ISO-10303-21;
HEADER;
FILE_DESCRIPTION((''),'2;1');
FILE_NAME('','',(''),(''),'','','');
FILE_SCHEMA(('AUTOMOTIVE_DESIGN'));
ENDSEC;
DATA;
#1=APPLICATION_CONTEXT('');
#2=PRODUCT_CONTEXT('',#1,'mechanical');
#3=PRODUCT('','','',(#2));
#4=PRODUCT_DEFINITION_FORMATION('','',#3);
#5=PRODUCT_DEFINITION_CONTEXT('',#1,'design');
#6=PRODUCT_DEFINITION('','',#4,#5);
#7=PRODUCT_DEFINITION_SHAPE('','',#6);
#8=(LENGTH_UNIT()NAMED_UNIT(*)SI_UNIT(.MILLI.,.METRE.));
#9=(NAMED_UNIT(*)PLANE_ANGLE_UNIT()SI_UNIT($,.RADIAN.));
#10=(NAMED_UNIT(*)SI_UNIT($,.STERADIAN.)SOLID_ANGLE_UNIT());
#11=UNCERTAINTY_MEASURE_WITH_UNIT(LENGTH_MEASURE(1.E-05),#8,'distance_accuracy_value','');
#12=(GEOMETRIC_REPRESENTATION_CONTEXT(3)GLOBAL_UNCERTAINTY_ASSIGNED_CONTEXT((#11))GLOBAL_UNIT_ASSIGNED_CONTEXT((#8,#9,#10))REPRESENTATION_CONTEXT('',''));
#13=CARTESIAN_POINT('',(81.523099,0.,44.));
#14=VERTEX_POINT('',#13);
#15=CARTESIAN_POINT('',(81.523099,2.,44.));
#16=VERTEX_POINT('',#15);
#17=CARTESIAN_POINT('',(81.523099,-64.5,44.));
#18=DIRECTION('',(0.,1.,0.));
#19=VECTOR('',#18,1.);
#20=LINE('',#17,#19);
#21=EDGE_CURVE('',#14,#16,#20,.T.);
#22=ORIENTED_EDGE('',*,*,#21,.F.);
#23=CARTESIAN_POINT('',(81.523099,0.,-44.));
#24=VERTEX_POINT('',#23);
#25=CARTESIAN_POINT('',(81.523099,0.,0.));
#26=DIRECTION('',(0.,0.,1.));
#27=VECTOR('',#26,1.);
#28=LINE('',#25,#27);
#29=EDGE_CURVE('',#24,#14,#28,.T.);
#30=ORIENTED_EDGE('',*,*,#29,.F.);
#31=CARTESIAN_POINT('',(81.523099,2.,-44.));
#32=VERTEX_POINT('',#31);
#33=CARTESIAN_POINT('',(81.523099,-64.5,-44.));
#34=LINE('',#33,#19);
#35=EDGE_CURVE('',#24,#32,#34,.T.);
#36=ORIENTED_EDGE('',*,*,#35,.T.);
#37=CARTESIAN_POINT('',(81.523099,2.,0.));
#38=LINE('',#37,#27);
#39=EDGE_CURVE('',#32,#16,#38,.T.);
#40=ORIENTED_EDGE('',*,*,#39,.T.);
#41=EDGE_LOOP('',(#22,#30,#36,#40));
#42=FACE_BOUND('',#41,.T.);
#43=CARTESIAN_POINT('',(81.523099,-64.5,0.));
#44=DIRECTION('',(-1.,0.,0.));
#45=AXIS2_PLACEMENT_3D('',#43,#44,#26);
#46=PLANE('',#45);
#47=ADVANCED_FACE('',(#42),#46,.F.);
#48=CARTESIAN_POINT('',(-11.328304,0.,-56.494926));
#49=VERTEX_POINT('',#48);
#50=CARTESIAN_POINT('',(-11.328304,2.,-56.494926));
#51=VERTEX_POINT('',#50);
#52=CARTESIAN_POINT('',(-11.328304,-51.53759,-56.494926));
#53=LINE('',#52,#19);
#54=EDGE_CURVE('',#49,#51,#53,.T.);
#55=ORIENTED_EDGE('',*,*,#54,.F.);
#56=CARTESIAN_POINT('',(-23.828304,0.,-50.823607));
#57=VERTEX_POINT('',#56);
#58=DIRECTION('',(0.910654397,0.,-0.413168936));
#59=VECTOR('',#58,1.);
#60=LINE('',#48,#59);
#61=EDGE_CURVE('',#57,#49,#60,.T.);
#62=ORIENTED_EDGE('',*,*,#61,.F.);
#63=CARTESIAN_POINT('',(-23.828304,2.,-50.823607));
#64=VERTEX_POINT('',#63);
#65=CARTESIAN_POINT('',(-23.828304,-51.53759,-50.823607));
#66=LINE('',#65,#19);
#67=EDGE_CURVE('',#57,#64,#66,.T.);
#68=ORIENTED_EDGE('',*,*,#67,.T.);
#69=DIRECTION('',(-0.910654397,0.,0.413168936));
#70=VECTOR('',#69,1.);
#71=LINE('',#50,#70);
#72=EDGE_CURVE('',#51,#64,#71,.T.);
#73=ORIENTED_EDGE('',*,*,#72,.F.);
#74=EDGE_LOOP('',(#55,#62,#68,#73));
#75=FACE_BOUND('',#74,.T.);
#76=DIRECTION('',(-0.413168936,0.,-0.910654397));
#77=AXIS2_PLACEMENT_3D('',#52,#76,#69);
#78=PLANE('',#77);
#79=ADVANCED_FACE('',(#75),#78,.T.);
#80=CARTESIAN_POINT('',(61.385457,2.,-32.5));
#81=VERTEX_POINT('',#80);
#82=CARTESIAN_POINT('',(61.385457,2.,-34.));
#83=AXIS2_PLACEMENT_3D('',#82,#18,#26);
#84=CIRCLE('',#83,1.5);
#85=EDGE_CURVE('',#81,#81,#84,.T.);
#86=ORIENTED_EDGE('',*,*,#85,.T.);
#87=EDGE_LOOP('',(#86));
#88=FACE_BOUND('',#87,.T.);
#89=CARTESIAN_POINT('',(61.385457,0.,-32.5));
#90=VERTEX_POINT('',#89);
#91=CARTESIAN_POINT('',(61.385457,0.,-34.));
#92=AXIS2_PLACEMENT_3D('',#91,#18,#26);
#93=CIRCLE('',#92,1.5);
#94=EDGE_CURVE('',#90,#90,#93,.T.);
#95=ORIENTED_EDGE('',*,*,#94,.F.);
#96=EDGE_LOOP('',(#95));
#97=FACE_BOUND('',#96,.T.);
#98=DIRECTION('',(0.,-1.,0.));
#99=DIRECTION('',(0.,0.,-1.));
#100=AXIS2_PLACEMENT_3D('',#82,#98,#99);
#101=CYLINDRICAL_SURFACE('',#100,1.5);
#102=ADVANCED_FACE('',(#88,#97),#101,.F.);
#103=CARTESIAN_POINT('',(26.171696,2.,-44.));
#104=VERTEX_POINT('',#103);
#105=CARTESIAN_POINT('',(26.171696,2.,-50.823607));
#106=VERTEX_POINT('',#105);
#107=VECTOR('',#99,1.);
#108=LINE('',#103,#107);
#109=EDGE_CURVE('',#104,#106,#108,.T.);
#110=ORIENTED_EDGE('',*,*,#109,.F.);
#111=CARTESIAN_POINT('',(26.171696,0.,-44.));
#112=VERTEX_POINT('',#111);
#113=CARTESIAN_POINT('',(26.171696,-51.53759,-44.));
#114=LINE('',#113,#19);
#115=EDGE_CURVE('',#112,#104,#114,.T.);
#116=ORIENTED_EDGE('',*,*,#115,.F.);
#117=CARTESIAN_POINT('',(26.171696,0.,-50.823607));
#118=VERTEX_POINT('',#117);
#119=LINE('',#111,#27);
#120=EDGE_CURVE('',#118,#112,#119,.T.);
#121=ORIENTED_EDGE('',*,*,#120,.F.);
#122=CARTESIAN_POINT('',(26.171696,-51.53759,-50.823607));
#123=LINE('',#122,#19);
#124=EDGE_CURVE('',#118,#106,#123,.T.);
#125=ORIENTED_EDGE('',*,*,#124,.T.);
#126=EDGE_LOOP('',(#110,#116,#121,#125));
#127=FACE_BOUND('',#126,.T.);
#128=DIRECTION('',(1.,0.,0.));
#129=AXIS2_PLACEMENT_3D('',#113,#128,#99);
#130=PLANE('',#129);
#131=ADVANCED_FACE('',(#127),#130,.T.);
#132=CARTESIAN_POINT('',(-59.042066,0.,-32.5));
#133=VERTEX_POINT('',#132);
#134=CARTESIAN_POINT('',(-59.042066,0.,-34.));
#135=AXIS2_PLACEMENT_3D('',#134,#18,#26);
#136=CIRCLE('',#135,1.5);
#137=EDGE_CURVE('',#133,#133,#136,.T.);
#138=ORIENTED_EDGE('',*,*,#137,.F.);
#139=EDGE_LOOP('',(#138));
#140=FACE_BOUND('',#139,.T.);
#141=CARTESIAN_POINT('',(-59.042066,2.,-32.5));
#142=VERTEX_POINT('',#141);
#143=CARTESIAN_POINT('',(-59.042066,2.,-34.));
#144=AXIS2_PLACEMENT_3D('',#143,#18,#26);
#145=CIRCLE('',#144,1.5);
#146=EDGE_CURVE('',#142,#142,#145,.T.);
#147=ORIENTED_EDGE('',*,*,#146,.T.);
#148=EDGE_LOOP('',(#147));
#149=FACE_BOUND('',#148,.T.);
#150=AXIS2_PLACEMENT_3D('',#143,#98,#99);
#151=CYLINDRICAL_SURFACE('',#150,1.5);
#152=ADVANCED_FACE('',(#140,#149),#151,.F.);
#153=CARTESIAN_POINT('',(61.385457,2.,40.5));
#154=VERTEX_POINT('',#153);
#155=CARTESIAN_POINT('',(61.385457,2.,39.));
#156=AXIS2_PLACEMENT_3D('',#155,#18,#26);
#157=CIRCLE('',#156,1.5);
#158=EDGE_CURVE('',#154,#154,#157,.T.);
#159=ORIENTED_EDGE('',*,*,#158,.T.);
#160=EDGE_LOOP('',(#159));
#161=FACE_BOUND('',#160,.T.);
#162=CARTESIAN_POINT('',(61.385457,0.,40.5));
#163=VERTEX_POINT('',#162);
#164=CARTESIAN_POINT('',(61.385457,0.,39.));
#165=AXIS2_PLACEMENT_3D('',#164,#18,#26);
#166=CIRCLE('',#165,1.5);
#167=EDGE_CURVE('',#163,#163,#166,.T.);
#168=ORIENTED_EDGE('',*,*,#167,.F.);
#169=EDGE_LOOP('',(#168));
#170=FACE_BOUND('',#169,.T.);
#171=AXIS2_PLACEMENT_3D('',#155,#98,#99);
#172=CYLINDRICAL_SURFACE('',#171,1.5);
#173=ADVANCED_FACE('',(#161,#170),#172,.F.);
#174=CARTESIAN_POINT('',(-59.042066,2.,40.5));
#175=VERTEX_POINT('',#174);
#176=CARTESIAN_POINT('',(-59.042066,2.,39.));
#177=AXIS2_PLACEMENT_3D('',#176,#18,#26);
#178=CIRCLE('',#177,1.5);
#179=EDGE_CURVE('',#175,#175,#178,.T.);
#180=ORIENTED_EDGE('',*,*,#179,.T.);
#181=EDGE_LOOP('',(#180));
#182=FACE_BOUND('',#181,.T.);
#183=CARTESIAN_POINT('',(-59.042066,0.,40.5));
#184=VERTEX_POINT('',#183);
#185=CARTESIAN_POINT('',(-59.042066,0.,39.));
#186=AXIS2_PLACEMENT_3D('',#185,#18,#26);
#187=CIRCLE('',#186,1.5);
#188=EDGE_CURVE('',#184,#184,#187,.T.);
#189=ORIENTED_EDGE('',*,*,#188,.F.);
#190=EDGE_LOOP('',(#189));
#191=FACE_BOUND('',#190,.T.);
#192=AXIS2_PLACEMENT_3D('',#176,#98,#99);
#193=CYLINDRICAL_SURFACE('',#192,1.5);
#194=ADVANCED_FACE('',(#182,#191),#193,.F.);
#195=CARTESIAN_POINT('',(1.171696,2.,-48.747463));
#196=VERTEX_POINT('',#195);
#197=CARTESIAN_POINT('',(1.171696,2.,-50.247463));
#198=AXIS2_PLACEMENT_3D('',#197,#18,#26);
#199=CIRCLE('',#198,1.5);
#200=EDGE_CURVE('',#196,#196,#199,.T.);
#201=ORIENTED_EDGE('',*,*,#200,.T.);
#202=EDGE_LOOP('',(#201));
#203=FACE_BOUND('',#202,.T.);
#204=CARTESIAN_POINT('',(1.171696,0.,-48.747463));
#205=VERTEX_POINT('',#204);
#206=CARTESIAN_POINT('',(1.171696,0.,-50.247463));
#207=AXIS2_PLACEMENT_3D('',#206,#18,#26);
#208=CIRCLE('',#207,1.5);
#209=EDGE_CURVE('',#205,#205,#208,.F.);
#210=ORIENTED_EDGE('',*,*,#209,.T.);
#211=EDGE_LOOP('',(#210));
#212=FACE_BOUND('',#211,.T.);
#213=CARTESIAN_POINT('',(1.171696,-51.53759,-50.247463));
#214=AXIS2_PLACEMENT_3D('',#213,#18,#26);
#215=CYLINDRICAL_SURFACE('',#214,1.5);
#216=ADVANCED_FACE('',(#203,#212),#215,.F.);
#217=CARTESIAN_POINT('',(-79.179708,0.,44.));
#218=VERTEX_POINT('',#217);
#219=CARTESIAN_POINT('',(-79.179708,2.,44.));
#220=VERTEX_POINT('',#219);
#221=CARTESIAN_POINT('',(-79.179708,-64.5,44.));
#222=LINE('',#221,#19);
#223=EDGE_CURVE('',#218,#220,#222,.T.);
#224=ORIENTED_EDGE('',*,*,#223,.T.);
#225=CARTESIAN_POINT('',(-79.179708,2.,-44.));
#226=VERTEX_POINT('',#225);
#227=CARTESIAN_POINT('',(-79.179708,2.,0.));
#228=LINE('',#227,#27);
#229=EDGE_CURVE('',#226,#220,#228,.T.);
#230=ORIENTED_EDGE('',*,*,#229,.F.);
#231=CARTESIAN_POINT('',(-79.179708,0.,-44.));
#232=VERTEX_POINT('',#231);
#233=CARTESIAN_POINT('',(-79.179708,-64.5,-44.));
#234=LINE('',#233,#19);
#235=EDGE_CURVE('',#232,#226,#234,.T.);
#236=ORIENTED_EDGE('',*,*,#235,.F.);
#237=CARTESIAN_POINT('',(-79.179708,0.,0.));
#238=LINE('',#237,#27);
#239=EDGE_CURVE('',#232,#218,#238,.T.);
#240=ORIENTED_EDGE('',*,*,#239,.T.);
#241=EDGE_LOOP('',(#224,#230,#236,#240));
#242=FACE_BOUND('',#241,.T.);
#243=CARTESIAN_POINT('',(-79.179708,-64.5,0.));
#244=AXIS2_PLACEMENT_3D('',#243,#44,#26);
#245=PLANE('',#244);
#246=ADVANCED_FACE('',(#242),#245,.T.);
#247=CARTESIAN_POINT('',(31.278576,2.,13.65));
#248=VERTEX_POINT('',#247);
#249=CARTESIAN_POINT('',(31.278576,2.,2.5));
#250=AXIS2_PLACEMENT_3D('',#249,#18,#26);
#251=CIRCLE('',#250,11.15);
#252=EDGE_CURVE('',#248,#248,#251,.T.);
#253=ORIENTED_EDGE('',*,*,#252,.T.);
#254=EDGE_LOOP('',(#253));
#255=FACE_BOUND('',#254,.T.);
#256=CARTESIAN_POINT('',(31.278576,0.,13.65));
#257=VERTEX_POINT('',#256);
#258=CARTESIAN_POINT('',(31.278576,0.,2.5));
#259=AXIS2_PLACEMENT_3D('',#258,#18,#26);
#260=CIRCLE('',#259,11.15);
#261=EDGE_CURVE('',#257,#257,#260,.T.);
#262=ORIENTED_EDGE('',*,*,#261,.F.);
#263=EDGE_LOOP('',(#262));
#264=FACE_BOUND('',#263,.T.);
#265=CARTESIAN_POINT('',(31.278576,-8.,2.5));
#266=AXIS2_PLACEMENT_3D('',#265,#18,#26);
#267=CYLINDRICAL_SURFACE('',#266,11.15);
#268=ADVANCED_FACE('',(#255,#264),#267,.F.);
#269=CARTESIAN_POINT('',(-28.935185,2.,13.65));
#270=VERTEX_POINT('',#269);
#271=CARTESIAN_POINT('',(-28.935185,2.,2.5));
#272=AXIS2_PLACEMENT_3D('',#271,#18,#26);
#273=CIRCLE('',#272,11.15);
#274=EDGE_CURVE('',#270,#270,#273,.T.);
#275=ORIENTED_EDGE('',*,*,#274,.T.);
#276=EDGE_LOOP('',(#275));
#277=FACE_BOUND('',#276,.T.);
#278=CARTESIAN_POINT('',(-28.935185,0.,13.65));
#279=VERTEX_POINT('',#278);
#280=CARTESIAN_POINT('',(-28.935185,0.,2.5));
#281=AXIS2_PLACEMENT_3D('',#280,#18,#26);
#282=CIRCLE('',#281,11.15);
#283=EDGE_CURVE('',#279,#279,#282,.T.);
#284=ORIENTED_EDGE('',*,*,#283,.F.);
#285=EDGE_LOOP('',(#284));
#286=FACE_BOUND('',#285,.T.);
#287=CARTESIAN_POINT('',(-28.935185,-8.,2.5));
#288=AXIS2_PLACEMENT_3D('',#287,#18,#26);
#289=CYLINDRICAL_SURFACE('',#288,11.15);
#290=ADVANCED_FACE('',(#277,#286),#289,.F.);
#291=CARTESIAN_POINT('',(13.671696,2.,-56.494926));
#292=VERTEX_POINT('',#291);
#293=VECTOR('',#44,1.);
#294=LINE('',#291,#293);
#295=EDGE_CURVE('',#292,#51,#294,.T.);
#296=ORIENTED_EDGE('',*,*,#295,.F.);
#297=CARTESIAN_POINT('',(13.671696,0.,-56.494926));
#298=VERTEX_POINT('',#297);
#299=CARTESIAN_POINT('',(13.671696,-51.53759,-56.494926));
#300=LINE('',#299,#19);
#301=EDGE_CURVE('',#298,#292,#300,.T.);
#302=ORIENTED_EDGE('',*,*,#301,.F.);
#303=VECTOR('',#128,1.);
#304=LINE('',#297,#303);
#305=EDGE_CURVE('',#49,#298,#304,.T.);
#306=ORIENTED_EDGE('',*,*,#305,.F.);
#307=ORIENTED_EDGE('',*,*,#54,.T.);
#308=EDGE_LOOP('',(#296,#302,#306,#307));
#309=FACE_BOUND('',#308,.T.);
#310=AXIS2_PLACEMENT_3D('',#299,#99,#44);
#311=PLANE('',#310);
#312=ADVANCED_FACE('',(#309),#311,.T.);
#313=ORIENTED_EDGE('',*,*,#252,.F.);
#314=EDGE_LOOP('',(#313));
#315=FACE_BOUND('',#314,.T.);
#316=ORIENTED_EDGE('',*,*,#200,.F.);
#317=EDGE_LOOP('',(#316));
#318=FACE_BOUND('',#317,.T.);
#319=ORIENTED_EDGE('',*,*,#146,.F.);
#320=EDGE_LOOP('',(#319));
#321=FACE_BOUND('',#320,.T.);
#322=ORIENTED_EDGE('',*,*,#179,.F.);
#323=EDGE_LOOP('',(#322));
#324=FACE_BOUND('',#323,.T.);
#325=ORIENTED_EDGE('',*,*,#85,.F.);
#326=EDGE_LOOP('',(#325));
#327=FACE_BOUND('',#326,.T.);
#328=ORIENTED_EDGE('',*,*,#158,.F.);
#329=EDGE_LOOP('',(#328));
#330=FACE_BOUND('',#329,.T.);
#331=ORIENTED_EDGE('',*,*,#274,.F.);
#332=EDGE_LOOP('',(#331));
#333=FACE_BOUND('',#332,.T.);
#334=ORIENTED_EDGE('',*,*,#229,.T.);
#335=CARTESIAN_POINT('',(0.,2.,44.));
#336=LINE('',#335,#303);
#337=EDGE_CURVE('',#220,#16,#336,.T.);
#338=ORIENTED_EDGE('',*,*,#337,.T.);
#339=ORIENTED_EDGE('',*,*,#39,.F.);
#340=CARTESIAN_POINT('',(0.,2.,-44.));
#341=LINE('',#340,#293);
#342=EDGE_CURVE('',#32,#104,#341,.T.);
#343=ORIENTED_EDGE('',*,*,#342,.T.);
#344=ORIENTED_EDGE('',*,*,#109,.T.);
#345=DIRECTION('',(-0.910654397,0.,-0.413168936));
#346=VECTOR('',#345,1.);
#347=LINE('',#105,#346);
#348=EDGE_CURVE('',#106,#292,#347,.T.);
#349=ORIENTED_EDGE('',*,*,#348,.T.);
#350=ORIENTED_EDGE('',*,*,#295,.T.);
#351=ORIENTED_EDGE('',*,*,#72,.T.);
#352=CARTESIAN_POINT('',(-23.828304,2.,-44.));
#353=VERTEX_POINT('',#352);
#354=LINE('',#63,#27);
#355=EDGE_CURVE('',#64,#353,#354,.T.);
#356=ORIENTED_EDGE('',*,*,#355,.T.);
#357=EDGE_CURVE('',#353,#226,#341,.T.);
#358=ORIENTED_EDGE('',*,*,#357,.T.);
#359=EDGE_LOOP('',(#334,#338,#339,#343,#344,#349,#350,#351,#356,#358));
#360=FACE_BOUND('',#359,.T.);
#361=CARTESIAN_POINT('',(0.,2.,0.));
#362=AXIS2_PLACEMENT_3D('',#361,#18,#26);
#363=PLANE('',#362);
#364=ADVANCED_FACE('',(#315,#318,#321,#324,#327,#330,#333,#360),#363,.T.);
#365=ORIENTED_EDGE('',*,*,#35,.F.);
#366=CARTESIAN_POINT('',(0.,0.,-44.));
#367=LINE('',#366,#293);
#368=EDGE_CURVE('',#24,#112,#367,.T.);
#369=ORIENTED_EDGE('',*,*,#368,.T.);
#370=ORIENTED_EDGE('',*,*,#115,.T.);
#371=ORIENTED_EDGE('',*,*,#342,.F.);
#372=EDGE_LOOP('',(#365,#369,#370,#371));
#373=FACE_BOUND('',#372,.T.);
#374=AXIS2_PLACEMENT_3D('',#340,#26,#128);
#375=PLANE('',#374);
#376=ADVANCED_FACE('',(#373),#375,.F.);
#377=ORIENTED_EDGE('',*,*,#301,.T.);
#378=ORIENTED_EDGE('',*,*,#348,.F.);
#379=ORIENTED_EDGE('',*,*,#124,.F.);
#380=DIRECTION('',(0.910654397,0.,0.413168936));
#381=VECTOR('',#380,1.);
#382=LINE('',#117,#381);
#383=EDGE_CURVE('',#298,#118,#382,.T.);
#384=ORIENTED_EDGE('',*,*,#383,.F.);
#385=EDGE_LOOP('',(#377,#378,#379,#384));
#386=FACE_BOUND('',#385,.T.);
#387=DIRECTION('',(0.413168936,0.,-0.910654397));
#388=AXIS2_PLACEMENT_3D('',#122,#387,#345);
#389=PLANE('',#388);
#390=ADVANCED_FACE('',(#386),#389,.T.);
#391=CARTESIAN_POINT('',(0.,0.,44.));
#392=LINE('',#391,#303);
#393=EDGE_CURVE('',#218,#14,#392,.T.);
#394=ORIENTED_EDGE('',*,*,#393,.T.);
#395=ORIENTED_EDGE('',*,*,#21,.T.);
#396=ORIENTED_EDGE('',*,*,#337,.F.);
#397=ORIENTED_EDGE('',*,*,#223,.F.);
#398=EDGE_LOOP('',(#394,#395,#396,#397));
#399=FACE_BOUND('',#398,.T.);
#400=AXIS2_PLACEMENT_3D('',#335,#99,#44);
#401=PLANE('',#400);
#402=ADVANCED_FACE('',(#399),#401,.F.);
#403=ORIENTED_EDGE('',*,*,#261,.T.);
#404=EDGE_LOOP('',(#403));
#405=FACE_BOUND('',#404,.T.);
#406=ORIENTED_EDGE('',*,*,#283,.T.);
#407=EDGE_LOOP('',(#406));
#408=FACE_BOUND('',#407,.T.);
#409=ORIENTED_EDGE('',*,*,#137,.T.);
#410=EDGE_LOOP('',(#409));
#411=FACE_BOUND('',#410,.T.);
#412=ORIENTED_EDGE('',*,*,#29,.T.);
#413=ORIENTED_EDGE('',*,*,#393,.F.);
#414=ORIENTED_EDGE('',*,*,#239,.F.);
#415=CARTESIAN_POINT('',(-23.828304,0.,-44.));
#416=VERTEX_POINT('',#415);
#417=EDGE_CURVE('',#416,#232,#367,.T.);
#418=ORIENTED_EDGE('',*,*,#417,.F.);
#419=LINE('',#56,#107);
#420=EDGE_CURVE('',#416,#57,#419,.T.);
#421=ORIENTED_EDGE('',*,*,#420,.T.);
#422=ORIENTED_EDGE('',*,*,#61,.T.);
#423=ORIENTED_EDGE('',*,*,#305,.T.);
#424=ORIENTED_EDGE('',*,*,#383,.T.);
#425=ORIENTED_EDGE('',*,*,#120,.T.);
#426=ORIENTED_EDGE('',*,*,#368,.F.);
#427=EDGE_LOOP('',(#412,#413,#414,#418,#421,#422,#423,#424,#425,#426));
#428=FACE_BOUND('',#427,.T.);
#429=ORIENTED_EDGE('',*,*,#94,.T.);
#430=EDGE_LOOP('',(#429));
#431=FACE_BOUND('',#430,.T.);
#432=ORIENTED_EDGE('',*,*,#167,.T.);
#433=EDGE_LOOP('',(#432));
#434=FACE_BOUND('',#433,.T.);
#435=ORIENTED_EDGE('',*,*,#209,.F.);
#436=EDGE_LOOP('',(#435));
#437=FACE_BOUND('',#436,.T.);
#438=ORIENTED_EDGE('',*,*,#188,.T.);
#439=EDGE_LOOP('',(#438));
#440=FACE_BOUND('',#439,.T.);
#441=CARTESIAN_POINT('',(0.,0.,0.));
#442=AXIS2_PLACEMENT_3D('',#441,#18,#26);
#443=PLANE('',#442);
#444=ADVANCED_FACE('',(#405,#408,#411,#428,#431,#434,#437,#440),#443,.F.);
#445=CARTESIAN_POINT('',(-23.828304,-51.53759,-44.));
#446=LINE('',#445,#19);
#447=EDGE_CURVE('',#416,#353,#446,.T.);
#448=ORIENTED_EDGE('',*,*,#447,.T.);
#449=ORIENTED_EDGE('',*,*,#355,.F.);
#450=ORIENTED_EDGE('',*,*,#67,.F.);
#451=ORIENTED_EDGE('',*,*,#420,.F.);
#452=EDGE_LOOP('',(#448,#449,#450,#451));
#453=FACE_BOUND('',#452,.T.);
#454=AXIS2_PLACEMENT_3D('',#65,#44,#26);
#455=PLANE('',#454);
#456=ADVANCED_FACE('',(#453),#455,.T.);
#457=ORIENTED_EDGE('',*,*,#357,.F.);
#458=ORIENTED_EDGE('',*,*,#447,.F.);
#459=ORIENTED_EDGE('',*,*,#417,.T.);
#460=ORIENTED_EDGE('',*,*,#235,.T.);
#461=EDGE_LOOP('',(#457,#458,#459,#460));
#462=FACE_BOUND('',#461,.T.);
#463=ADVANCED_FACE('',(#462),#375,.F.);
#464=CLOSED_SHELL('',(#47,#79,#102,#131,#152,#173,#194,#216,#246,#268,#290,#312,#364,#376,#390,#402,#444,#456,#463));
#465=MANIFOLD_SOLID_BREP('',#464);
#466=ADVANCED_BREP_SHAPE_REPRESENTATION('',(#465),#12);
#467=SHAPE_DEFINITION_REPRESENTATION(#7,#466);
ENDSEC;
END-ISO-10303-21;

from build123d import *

# Parameters (mm, degrees)
SKETCH1_W           = 155.702807198
SKETCH1_H           = 58
SKETCH1_R           = 1.5
BOSS_EXTRUDE2_DEPTH = 2
SKETCH2_W           = 5
SKETCH2_H           = 88
BOSS_EXTRUDE3_DEPTH = 2
SKETCH3_R           = 11.15
CUT_EXTRUDE1_DEPTH  = 10
SKETCH4_R           = 1.5
BOSS_EXTRUDE4_DEPTH = 2
SKETCH7_W           = 1.5
SKETCH7_H           = 88
SKETCH7_H_2         = 87.852132556
CUT_EXTRUDE2_DEPTH  = 10
SKETCH8_W           = 0.36402546
SKETCH8_H           = 0.147867444
SKETCH8_W_2         = 1.5
SKETCH8_W_3         = 1
SKETCH8_H_2         = 88
CUT_EXTRUDE5_DEPTH  = 66.5


with BuildPart() as part:
    # Sketch1 → Boss-Extrude2 (new body)
    with BuildSketch(Plane(origin=(0, 0, 0), x_dir=(1, 0, 0), z_dir=(0, 1, 0))):
        with Locations((1.171695753, -5)):
            Rectangle(SKETCH1_W, SKETCH1_H)
        Polygon((-76.679707846, 44), (-76.679707846, 24), (79.023099352, 24), (79.023099352, 44), (62.885457038, 44), (59.885457038, 44), (-57.542065533, 44), (-60.542065533, 44), align=None)
        with Locations((-59.042065533, 34)):
            Circle(SKETCH1_R, mode=Mode.SUBTRACT)
        with Locations((61.385457038, 34)):
            Circle(SKETCH1_R, mode=Mode.SUBTRACT)
        Polygon((-76.679707846, -44), (-60.542065533, -44), (-57.542065533, -44), (59.885457038, -44), (62.885457038, -44), (79.023099352, -44), (79.023099352, -34), (-76.679707846, -34), align=None)
        with Locations((-59.042065533, -39)):
            Circle(SKETCH1_R, mode=Mode.SUBTRACT)
        with Locations((61.385457038, -39)):
            Circle(SKETCH1_R, mode=Mode.SUBTRACT)
    extrude(amount=BOSS_EXTRUDE2_DEPTH)

    # Sketch2 → Boss-Extrude3 (add)
    with BuildSketch(Plane(origin=(0, 2, 0), x_dir=(1, 0, 0), z_dir=(0, 1, 0))):
        with Locations((81.523099352, 0)):
            Rectangle(SKETCH2_W, SKETCH2_H)
        with Locations((-79.179707846, 0)):
            Rectangle(SKETCH2_W, SKETCH2_H)
    extrude(amount=-BOSS_EXTRUDE3_DEPTH)

    # Sketch3 → Cut-Extrude1 (cut)
    with BuildSketch(Plane(origin=(0, 2, 0), x_dir=(1, 0, 0), z_dir=(0, 1, 0))):
        with Locations((-28.93518489, -2.5)):
            Circle(SKETCH3_R)
        with Locations((31.278576395, -2.5)):
            Circle(SKETCH3_R)
    extrude(amount=-CUT_EXTRUDE1_DEPTH, mode=Mode.SUBTRACT)

    # Sketch4 → Boss-Extrude4 (add)
    with BuildSketch(Plane(origin=(0, 2, 0), x_dir=(1, 0, 0), z_dir=(0, 1, 0))):
        Polygon((-23.828304247, 44), (26.171695753, 44), (26.171695753, 50.823606938), (13.671695753, 56.49492606), (-11.328304247, 56.49492606), (-23.828304247, 50.823606938), align=None)
        with Locations((1.171695753, 50.24746303)):
            Circle(SKETCH4_R, mode=Mode.SUBTRACT)
    extrude(amount=-BOSS_EXTRUDE4_DEPTH)

    # Sketch7 → Cut-Extrude2 (cut)
    with BuildSketch(Plane(origin=(0, 2, 0), x_dir=(1, 0, 0), z_dir=(0, 1, 0))):
        with Locations((-80.929707846, 0)):
            Rectangle(SKETCH7_W, SKETCH7_H)
        with Locations((83.273099352, 0.073933722)):
            Rectangle(SKETCH7_W, SKETCH7_H_2)
    extrude(amount=-CUT_EXTRUDE2_DEPTH, mode=Mode.SUBTRACT)

    # Sketch8 → Cut-Extrude5 (cut)
    with BuildSketch(Plane(origin=(0, 2, 0), x_dir=(1, 0, 0), z_dir=(0, 1, 0))):
        with Locations((82.341086622, -43.926066278)):
            Rectangle(SKETCH8_W, SKETCH8_H)
        with Locations((83.273099352, -43.926066278)):
            Rectangle(SKETCH8_W_2, SKETCH8_H)
        Polygon((81.523099352, 44), (81.523099352, -44), (82.159073892, -44), (82.159073892, -43.852132556), (82.523099352, -43.852132556), (82.523099352, 44), align=None)
        with Locations((-79.679707846, 0)):
            Rectangle(SKETCH8_W_3, SKETCH8_H_2)
    extrude(amount=-CUT_EXTRUDE5_DEPTH, mode=Mode.SUBTRACT)


solid = part.part
